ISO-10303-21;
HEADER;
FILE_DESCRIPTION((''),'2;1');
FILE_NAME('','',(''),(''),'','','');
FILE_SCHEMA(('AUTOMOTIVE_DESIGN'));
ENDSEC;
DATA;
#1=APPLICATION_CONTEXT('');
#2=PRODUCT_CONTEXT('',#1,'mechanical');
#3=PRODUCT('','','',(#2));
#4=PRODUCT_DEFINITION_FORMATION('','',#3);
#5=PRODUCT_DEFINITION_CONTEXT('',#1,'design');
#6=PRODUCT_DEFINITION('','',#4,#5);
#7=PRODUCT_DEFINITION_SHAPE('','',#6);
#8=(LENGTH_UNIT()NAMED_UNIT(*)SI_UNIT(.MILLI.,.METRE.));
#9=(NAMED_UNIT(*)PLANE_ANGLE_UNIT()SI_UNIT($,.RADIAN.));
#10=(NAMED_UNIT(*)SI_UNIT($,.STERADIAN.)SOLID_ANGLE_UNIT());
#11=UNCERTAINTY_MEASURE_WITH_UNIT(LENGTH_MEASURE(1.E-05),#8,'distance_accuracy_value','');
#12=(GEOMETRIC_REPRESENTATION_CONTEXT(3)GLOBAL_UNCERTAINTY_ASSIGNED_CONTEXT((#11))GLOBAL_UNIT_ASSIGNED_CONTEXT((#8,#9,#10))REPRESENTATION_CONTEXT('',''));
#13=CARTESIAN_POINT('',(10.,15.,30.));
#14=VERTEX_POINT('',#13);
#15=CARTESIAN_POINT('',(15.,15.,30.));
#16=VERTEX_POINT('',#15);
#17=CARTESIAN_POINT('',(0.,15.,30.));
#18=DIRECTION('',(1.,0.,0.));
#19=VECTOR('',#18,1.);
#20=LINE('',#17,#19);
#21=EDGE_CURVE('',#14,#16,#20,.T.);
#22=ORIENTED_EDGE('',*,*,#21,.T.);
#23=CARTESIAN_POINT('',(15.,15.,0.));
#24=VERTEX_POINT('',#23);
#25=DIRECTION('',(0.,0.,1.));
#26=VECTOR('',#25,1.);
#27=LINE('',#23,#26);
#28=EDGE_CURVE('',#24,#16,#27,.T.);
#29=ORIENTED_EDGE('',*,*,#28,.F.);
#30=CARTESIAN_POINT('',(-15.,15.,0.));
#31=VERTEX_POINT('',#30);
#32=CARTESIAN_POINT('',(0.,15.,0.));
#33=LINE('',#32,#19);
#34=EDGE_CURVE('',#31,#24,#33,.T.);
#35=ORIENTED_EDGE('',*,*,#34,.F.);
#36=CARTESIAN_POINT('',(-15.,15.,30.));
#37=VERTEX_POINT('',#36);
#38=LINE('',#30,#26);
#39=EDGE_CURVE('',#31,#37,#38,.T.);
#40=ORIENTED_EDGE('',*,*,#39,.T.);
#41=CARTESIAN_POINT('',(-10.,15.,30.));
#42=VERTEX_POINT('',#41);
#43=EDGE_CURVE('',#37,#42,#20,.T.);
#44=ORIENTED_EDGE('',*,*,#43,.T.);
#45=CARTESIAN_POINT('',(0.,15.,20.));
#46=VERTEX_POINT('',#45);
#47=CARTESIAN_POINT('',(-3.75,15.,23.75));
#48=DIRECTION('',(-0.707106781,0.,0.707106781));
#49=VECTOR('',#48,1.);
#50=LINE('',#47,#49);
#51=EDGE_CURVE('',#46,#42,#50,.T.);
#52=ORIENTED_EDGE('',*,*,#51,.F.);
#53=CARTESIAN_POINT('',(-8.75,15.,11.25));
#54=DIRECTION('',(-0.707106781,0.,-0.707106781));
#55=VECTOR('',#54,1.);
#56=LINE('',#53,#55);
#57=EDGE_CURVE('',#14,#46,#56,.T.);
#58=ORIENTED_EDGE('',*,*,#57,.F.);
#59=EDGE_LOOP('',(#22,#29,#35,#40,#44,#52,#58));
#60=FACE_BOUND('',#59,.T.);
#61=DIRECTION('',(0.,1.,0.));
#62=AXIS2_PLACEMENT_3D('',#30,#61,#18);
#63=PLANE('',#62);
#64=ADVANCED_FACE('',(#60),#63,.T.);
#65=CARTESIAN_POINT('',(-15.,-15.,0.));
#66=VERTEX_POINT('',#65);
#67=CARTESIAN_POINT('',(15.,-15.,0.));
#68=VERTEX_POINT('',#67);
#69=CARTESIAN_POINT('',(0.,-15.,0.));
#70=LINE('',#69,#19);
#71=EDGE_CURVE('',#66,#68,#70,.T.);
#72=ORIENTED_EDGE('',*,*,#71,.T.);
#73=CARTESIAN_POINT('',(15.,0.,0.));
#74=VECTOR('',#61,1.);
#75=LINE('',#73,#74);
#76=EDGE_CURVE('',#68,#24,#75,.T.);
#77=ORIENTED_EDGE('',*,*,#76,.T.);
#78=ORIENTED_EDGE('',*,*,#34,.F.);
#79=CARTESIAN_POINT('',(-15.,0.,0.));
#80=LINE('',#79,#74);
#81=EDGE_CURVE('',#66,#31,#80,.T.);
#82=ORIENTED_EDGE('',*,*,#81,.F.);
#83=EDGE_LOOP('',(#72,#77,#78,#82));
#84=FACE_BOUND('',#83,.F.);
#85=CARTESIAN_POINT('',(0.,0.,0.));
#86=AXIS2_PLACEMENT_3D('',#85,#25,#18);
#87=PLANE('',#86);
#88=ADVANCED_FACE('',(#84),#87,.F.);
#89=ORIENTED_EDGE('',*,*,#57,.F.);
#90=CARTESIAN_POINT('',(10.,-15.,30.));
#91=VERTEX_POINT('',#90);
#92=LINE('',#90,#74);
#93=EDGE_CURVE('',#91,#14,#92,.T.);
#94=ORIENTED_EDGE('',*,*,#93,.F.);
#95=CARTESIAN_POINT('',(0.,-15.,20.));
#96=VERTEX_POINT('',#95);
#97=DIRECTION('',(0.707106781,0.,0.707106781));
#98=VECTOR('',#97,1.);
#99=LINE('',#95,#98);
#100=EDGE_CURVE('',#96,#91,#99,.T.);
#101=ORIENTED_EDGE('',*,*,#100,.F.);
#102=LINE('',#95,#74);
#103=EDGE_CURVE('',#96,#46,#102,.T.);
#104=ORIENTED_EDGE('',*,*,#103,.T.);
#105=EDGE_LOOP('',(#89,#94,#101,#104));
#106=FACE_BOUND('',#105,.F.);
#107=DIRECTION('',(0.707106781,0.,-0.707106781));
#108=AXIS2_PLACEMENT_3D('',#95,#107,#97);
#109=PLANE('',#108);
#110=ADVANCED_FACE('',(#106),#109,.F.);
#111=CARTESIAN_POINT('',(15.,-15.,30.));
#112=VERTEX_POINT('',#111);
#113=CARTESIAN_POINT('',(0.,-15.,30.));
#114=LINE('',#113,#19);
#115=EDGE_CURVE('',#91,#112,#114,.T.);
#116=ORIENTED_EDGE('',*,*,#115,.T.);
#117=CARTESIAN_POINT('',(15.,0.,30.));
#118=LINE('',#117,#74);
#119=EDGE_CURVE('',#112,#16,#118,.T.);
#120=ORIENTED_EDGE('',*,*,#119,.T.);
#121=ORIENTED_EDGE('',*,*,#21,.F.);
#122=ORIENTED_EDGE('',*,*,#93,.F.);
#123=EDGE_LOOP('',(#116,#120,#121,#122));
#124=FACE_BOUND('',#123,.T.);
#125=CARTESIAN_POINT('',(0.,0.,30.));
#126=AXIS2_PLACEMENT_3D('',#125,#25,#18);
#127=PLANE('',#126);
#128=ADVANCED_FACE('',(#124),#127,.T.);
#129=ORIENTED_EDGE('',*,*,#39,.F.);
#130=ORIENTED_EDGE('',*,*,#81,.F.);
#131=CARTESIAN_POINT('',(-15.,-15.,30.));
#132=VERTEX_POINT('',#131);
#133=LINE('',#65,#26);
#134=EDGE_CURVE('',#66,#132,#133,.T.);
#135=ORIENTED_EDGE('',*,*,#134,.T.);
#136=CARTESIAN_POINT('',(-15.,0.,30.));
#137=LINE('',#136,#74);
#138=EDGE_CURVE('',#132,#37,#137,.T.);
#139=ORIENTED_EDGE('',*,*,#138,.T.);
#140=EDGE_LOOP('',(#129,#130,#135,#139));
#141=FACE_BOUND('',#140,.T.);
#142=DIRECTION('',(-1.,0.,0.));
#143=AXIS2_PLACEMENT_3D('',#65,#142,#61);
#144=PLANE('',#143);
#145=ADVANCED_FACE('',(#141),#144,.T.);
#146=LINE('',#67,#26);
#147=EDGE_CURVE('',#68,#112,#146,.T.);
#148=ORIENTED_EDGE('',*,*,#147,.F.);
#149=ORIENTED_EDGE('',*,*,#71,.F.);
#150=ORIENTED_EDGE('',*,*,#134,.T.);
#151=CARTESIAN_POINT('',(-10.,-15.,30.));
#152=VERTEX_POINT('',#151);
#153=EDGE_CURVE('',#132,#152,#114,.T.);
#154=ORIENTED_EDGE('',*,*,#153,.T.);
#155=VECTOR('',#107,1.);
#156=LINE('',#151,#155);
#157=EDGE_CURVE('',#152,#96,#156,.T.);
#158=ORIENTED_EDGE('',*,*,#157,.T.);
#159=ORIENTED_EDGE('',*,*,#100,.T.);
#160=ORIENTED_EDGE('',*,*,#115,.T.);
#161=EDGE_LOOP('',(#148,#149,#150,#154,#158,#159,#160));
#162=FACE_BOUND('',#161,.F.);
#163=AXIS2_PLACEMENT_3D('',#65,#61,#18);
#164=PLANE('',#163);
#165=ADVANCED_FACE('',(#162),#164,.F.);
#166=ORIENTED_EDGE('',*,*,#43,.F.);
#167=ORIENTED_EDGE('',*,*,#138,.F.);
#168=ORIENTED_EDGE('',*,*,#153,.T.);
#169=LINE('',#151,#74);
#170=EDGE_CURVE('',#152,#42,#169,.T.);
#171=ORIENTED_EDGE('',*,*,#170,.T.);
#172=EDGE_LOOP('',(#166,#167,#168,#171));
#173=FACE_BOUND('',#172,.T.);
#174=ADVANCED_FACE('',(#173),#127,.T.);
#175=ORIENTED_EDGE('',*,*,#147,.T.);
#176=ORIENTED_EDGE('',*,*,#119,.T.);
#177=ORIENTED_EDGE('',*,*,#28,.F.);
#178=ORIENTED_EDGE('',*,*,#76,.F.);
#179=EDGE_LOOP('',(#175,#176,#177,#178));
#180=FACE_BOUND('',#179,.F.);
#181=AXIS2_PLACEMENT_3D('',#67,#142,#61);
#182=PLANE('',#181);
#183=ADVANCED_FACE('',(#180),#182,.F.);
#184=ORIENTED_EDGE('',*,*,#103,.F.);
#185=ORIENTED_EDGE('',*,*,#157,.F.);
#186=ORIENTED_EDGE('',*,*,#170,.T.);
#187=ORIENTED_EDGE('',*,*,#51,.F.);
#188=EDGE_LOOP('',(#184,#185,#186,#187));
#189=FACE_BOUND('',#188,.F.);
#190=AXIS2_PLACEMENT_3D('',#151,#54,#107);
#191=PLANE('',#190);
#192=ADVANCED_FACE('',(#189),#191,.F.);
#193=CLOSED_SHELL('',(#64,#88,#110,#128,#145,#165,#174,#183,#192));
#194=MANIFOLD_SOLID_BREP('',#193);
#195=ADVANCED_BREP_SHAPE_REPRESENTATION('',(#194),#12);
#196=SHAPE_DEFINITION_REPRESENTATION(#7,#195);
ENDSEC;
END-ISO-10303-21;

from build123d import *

# Parameters (mm, degrees)
F0_W     = 30
F0_H     = 30
F1_DEPTH = 30
F3_DEPTH = 30.001


with BuildPart() as f1:
    # F0 (on Top) → F1 (new body)
    with BuildSketch(Plane.XY):
        Rectangle(F0_W, F0_H)
    extrude(amount=F1_DEPTH)

    # F2 (on face) → F3 (cut, through all)
    with BuildSketch(Plane.XZ.offset(15)):
        Polygon((10, 30), (-10, 30), (0, 20), align=None)
    extrude(amount=-F3_DEPTH, mode=Mode.SUBTRACT)


solid = f1.part
